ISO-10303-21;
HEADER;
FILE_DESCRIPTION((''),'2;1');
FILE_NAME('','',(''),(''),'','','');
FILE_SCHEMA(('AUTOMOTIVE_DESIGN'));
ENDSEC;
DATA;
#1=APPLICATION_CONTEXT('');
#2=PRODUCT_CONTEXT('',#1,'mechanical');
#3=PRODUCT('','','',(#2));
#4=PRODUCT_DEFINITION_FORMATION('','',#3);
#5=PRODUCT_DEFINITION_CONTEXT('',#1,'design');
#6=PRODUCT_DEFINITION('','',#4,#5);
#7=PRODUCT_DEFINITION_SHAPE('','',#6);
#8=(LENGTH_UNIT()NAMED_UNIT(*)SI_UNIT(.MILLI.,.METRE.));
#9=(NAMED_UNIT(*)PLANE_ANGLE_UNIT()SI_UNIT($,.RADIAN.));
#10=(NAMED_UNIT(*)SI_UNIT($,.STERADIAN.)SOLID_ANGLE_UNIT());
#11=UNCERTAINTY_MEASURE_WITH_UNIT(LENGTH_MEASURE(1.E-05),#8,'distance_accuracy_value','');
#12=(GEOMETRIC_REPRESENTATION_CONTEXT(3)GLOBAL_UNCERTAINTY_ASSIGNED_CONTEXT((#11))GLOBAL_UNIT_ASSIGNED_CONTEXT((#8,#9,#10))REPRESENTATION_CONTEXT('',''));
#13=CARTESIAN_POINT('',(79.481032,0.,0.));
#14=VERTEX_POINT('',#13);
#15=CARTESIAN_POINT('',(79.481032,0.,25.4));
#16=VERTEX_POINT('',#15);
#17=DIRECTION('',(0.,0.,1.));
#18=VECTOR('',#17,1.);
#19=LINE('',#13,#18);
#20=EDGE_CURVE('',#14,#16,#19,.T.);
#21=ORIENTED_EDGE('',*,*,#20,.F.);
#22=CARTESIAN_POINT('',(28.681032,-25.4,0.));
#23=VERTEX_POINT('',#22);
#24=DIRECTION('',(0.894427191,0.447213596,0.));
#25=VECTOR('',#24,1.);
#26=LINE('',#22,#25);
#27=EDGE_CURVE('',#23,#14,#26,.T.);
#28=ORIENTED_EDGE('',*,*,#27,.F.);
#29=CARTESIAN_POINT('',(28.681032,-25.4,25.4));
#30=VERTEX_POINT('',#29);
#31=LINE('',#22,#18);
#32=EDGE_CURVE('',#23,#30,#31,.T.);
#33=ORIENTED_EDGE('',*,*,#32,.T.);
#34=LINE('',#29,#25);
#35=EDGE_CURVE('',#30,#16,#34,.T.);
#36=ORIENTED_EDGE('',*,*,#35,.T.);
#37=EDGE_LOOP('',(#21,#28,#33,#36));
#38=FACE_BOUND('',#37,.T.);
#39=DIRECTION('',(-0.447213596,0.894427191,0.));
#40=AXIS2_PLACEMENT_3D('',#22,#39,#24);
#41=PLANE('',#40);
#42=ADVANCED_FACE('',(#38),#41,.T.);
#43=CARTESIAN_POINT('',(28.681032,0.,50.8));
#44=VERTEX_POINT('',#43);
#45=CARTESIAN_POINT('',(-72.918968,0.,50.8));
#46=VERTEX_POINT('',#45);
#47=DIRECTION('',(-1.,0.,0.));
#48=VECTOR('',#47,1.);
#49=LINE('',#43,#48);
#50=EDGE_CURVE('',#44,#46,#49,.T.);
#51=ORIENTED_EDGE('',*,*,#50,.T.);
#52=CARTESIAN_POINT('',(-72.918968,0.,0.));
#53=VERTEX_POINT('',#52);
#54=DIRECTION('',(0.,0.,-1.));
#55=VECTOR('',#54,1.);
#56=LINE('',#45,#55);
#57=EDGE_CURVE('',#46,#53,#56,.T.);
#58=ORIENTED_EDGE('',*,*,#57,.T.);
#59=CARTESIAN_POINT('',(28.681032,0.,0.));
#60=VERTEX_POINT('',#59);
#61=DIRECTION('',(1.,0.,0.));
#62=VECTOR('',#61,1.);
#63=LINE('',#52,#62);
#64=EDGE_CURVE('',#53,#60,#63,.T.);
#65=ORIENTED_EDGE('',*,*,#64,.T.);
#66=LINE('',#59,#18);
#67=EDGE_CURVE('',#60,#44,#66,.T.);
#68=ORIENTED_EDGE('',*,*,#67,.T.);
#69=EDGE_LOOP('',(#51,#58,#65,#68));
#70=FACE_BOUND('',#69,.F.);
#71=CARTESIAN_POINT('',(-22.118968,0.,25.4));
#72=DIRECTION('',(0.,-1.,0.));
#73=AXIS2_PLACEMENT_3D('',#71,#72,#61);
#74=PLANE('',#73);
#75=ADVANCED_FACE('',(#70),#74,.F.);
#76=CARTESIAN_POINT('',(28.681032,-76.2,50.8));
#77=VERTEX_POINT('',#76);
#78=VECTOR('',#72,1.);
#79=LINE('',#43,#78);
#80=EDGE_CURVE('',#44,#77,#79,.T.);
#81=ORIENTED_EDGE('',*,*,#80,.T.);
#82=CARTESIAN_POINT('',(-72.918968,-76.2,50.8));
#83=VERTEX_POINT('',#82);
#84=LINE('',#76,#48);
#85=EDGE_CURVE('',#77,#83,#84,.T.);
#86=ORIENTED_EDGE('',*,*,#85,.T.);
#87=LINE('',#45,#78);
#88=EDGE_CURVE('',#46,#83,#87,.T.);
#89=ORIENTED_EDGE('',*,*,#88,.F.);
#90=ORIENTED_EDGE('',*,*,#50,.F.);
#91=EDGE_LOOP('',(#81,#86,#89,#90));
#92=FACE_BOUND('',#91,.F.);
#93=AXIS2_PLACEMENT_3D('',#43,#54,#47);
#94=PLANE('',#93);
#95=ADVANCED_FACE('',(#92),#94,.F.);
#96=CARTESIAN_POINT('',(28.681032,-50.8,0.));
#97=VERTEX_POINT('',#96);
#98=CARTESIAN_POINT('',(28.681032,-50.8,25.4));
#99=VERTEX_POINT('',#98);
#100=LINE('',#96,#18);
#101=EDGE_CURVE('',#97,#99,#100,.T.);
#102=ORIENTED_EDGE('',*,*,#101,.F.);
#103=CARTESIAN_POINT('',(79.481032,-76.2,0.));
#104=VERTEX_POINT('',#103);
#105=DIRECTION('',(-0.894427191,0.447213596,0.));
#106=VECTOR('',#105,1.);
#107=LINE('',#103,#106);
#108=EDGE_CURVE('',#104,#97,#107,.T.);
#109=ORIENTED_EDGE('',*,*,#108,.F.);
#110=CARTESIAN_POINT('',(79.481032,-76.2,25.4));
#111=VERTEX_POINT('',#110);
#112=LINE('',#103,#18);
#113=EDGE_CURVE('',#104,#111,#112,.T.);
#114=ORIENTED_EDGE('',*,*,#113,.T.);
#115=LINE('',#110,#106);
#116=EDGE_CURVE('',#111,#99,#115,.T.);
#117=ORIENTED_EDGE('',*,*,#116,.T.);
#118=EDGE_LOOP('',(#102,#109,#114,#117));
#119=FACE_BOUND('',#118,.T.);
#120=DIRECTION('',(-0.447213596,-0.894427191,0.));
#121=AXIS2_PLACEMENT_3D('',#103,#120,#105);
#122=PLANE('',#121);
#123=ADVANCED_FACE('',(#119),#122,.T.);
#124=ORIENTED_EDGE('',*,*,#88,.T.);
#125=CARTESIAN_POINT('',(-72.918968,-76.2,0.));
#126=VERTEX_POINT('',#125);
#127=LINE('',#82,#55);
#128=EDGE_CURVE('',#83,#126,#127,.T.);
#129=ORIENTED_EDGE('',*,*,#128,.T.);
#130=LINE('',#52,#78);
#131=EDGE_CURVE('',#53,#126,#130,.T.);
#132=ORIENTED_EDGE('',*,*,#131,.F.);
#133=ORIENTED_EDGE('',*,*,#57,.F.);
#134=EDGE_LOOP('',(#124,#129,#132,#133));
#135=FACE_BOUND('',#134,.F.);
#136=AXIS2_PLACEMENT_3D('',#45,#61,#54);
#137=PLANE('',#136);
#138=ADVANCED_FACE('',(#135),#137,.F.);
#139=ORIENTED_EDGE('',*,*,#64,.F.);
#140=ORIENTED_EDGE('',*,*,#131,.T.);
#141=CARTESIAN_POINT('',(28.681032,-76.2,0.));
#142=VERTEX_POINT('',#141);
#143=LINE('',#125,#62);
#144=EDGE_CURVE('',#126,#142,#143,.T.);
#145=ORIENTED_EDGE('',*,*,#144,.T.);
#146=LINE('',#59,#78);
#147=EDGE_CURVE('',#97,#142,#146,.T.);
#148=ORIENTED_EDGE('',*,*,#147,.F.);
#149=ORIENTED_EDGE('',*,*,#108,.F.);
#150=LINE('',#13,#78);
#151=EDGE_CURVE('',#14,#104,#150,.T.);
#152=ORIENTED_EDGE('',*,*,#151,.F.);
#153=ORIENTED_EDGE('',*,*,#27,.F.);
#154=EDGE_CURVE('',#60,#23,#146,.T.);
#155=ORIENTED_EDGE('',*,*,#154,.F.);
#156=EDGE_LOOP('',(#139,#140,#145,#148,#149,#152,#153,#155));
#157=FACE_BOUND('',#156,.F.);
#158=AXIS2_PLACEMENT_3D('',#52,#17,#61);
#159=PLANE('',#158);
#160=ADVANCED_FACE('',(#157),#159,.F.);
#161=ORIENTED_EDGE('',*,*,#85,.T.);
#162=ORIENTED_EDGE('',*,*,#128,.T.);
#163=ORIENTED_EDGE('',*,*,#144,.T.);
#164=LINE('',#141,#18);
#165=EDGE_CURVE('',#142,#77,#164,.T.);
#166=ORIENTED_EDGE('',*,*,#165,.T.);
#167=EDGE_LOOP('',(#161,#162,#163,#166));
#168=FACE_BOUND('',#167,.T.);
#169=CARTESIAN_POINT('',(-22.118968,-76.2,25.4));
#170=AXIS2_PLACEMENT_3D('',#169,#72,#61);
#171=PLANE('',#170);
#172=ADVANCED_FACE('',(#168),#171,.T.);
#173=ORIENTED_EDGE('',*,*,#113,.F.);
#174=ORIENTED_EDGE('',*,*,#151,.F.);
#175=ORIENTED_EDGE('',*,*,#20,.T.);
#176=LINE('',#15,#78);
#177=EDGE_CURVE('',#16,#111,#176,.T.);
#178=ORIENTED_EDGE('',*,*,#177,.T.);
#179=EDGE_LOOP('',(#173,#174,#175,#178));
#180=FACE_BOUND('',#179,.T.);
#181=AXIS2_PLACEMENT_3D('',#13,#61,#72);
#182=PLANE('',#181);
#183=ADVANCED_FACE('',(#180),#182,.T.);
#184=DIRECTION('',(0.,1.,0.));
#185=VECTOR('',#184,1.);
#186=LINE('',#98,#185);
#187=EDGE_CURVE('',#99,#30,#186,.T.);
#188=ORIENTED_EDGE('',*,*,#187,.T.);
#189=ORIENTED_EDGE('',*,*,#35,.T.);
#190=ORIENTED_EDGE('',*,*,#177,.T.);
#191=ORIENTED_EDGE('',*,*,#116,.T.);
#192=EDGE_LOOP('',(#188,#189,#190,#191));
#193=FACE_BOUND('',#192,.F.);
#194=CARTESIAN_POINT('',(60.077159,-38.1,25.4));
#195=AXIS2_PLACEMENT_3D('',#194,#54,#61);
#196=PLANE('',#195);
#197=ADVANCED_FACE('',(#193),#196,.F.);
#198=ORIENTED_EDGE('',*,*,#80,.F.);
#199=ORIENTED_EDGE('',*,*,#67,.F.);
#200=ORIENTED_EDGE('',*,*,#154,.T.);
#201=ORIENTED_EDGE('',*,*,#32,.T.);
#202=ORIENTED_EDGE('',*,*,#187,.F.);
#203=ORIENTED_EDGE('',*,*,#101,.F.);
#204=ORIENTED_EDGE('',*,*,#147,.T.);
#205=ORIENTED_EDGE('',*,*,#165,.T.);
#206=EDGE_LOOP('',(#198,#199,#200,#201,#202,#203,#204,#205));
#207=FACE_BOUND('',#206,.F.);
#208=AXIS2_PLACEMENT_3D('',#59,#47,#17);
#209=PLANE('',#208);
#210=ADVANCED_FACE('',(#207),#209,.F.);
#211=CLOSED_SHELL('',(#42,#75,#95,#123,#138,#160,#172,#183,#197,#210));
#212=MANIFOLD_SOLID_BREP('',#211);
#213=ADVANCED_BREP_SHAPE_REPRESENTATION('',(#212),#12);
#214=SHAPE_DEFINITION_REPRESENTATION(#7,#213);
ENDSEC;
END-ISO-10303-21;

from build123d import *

# Parameters (mm, degrees)
F1_DEPTH = 76.2
F3_DEPTH = 25.4


with BuildPart() as f1:
    # F0 (on Front) → F1 (new body)
    with BuildSketch(Plane.XZ):
        Polygon((-72.9189676422, 50.8), (-72.9189676422, 0), (28.6810323578, 0), (28.6810323578, 25.4), (28.6810323578, 50.8), align=None)
    extrude(amount=F1_DEPTH)

    # F2 (on face) → F3 (join)
    with BuildSketch(Plane(origin=(0, 0, 0), x_dir=(1, 0, 0), z_dir=(0, 0, -1))):
        Polygon((79.4810323578, 0), (79.4810323578, 76.2), (28.6810323578, 50.8), (28.6810323578, 25.4), align=None)
    extrude(amount=-F3_DEPTH)


solid = f1.part
